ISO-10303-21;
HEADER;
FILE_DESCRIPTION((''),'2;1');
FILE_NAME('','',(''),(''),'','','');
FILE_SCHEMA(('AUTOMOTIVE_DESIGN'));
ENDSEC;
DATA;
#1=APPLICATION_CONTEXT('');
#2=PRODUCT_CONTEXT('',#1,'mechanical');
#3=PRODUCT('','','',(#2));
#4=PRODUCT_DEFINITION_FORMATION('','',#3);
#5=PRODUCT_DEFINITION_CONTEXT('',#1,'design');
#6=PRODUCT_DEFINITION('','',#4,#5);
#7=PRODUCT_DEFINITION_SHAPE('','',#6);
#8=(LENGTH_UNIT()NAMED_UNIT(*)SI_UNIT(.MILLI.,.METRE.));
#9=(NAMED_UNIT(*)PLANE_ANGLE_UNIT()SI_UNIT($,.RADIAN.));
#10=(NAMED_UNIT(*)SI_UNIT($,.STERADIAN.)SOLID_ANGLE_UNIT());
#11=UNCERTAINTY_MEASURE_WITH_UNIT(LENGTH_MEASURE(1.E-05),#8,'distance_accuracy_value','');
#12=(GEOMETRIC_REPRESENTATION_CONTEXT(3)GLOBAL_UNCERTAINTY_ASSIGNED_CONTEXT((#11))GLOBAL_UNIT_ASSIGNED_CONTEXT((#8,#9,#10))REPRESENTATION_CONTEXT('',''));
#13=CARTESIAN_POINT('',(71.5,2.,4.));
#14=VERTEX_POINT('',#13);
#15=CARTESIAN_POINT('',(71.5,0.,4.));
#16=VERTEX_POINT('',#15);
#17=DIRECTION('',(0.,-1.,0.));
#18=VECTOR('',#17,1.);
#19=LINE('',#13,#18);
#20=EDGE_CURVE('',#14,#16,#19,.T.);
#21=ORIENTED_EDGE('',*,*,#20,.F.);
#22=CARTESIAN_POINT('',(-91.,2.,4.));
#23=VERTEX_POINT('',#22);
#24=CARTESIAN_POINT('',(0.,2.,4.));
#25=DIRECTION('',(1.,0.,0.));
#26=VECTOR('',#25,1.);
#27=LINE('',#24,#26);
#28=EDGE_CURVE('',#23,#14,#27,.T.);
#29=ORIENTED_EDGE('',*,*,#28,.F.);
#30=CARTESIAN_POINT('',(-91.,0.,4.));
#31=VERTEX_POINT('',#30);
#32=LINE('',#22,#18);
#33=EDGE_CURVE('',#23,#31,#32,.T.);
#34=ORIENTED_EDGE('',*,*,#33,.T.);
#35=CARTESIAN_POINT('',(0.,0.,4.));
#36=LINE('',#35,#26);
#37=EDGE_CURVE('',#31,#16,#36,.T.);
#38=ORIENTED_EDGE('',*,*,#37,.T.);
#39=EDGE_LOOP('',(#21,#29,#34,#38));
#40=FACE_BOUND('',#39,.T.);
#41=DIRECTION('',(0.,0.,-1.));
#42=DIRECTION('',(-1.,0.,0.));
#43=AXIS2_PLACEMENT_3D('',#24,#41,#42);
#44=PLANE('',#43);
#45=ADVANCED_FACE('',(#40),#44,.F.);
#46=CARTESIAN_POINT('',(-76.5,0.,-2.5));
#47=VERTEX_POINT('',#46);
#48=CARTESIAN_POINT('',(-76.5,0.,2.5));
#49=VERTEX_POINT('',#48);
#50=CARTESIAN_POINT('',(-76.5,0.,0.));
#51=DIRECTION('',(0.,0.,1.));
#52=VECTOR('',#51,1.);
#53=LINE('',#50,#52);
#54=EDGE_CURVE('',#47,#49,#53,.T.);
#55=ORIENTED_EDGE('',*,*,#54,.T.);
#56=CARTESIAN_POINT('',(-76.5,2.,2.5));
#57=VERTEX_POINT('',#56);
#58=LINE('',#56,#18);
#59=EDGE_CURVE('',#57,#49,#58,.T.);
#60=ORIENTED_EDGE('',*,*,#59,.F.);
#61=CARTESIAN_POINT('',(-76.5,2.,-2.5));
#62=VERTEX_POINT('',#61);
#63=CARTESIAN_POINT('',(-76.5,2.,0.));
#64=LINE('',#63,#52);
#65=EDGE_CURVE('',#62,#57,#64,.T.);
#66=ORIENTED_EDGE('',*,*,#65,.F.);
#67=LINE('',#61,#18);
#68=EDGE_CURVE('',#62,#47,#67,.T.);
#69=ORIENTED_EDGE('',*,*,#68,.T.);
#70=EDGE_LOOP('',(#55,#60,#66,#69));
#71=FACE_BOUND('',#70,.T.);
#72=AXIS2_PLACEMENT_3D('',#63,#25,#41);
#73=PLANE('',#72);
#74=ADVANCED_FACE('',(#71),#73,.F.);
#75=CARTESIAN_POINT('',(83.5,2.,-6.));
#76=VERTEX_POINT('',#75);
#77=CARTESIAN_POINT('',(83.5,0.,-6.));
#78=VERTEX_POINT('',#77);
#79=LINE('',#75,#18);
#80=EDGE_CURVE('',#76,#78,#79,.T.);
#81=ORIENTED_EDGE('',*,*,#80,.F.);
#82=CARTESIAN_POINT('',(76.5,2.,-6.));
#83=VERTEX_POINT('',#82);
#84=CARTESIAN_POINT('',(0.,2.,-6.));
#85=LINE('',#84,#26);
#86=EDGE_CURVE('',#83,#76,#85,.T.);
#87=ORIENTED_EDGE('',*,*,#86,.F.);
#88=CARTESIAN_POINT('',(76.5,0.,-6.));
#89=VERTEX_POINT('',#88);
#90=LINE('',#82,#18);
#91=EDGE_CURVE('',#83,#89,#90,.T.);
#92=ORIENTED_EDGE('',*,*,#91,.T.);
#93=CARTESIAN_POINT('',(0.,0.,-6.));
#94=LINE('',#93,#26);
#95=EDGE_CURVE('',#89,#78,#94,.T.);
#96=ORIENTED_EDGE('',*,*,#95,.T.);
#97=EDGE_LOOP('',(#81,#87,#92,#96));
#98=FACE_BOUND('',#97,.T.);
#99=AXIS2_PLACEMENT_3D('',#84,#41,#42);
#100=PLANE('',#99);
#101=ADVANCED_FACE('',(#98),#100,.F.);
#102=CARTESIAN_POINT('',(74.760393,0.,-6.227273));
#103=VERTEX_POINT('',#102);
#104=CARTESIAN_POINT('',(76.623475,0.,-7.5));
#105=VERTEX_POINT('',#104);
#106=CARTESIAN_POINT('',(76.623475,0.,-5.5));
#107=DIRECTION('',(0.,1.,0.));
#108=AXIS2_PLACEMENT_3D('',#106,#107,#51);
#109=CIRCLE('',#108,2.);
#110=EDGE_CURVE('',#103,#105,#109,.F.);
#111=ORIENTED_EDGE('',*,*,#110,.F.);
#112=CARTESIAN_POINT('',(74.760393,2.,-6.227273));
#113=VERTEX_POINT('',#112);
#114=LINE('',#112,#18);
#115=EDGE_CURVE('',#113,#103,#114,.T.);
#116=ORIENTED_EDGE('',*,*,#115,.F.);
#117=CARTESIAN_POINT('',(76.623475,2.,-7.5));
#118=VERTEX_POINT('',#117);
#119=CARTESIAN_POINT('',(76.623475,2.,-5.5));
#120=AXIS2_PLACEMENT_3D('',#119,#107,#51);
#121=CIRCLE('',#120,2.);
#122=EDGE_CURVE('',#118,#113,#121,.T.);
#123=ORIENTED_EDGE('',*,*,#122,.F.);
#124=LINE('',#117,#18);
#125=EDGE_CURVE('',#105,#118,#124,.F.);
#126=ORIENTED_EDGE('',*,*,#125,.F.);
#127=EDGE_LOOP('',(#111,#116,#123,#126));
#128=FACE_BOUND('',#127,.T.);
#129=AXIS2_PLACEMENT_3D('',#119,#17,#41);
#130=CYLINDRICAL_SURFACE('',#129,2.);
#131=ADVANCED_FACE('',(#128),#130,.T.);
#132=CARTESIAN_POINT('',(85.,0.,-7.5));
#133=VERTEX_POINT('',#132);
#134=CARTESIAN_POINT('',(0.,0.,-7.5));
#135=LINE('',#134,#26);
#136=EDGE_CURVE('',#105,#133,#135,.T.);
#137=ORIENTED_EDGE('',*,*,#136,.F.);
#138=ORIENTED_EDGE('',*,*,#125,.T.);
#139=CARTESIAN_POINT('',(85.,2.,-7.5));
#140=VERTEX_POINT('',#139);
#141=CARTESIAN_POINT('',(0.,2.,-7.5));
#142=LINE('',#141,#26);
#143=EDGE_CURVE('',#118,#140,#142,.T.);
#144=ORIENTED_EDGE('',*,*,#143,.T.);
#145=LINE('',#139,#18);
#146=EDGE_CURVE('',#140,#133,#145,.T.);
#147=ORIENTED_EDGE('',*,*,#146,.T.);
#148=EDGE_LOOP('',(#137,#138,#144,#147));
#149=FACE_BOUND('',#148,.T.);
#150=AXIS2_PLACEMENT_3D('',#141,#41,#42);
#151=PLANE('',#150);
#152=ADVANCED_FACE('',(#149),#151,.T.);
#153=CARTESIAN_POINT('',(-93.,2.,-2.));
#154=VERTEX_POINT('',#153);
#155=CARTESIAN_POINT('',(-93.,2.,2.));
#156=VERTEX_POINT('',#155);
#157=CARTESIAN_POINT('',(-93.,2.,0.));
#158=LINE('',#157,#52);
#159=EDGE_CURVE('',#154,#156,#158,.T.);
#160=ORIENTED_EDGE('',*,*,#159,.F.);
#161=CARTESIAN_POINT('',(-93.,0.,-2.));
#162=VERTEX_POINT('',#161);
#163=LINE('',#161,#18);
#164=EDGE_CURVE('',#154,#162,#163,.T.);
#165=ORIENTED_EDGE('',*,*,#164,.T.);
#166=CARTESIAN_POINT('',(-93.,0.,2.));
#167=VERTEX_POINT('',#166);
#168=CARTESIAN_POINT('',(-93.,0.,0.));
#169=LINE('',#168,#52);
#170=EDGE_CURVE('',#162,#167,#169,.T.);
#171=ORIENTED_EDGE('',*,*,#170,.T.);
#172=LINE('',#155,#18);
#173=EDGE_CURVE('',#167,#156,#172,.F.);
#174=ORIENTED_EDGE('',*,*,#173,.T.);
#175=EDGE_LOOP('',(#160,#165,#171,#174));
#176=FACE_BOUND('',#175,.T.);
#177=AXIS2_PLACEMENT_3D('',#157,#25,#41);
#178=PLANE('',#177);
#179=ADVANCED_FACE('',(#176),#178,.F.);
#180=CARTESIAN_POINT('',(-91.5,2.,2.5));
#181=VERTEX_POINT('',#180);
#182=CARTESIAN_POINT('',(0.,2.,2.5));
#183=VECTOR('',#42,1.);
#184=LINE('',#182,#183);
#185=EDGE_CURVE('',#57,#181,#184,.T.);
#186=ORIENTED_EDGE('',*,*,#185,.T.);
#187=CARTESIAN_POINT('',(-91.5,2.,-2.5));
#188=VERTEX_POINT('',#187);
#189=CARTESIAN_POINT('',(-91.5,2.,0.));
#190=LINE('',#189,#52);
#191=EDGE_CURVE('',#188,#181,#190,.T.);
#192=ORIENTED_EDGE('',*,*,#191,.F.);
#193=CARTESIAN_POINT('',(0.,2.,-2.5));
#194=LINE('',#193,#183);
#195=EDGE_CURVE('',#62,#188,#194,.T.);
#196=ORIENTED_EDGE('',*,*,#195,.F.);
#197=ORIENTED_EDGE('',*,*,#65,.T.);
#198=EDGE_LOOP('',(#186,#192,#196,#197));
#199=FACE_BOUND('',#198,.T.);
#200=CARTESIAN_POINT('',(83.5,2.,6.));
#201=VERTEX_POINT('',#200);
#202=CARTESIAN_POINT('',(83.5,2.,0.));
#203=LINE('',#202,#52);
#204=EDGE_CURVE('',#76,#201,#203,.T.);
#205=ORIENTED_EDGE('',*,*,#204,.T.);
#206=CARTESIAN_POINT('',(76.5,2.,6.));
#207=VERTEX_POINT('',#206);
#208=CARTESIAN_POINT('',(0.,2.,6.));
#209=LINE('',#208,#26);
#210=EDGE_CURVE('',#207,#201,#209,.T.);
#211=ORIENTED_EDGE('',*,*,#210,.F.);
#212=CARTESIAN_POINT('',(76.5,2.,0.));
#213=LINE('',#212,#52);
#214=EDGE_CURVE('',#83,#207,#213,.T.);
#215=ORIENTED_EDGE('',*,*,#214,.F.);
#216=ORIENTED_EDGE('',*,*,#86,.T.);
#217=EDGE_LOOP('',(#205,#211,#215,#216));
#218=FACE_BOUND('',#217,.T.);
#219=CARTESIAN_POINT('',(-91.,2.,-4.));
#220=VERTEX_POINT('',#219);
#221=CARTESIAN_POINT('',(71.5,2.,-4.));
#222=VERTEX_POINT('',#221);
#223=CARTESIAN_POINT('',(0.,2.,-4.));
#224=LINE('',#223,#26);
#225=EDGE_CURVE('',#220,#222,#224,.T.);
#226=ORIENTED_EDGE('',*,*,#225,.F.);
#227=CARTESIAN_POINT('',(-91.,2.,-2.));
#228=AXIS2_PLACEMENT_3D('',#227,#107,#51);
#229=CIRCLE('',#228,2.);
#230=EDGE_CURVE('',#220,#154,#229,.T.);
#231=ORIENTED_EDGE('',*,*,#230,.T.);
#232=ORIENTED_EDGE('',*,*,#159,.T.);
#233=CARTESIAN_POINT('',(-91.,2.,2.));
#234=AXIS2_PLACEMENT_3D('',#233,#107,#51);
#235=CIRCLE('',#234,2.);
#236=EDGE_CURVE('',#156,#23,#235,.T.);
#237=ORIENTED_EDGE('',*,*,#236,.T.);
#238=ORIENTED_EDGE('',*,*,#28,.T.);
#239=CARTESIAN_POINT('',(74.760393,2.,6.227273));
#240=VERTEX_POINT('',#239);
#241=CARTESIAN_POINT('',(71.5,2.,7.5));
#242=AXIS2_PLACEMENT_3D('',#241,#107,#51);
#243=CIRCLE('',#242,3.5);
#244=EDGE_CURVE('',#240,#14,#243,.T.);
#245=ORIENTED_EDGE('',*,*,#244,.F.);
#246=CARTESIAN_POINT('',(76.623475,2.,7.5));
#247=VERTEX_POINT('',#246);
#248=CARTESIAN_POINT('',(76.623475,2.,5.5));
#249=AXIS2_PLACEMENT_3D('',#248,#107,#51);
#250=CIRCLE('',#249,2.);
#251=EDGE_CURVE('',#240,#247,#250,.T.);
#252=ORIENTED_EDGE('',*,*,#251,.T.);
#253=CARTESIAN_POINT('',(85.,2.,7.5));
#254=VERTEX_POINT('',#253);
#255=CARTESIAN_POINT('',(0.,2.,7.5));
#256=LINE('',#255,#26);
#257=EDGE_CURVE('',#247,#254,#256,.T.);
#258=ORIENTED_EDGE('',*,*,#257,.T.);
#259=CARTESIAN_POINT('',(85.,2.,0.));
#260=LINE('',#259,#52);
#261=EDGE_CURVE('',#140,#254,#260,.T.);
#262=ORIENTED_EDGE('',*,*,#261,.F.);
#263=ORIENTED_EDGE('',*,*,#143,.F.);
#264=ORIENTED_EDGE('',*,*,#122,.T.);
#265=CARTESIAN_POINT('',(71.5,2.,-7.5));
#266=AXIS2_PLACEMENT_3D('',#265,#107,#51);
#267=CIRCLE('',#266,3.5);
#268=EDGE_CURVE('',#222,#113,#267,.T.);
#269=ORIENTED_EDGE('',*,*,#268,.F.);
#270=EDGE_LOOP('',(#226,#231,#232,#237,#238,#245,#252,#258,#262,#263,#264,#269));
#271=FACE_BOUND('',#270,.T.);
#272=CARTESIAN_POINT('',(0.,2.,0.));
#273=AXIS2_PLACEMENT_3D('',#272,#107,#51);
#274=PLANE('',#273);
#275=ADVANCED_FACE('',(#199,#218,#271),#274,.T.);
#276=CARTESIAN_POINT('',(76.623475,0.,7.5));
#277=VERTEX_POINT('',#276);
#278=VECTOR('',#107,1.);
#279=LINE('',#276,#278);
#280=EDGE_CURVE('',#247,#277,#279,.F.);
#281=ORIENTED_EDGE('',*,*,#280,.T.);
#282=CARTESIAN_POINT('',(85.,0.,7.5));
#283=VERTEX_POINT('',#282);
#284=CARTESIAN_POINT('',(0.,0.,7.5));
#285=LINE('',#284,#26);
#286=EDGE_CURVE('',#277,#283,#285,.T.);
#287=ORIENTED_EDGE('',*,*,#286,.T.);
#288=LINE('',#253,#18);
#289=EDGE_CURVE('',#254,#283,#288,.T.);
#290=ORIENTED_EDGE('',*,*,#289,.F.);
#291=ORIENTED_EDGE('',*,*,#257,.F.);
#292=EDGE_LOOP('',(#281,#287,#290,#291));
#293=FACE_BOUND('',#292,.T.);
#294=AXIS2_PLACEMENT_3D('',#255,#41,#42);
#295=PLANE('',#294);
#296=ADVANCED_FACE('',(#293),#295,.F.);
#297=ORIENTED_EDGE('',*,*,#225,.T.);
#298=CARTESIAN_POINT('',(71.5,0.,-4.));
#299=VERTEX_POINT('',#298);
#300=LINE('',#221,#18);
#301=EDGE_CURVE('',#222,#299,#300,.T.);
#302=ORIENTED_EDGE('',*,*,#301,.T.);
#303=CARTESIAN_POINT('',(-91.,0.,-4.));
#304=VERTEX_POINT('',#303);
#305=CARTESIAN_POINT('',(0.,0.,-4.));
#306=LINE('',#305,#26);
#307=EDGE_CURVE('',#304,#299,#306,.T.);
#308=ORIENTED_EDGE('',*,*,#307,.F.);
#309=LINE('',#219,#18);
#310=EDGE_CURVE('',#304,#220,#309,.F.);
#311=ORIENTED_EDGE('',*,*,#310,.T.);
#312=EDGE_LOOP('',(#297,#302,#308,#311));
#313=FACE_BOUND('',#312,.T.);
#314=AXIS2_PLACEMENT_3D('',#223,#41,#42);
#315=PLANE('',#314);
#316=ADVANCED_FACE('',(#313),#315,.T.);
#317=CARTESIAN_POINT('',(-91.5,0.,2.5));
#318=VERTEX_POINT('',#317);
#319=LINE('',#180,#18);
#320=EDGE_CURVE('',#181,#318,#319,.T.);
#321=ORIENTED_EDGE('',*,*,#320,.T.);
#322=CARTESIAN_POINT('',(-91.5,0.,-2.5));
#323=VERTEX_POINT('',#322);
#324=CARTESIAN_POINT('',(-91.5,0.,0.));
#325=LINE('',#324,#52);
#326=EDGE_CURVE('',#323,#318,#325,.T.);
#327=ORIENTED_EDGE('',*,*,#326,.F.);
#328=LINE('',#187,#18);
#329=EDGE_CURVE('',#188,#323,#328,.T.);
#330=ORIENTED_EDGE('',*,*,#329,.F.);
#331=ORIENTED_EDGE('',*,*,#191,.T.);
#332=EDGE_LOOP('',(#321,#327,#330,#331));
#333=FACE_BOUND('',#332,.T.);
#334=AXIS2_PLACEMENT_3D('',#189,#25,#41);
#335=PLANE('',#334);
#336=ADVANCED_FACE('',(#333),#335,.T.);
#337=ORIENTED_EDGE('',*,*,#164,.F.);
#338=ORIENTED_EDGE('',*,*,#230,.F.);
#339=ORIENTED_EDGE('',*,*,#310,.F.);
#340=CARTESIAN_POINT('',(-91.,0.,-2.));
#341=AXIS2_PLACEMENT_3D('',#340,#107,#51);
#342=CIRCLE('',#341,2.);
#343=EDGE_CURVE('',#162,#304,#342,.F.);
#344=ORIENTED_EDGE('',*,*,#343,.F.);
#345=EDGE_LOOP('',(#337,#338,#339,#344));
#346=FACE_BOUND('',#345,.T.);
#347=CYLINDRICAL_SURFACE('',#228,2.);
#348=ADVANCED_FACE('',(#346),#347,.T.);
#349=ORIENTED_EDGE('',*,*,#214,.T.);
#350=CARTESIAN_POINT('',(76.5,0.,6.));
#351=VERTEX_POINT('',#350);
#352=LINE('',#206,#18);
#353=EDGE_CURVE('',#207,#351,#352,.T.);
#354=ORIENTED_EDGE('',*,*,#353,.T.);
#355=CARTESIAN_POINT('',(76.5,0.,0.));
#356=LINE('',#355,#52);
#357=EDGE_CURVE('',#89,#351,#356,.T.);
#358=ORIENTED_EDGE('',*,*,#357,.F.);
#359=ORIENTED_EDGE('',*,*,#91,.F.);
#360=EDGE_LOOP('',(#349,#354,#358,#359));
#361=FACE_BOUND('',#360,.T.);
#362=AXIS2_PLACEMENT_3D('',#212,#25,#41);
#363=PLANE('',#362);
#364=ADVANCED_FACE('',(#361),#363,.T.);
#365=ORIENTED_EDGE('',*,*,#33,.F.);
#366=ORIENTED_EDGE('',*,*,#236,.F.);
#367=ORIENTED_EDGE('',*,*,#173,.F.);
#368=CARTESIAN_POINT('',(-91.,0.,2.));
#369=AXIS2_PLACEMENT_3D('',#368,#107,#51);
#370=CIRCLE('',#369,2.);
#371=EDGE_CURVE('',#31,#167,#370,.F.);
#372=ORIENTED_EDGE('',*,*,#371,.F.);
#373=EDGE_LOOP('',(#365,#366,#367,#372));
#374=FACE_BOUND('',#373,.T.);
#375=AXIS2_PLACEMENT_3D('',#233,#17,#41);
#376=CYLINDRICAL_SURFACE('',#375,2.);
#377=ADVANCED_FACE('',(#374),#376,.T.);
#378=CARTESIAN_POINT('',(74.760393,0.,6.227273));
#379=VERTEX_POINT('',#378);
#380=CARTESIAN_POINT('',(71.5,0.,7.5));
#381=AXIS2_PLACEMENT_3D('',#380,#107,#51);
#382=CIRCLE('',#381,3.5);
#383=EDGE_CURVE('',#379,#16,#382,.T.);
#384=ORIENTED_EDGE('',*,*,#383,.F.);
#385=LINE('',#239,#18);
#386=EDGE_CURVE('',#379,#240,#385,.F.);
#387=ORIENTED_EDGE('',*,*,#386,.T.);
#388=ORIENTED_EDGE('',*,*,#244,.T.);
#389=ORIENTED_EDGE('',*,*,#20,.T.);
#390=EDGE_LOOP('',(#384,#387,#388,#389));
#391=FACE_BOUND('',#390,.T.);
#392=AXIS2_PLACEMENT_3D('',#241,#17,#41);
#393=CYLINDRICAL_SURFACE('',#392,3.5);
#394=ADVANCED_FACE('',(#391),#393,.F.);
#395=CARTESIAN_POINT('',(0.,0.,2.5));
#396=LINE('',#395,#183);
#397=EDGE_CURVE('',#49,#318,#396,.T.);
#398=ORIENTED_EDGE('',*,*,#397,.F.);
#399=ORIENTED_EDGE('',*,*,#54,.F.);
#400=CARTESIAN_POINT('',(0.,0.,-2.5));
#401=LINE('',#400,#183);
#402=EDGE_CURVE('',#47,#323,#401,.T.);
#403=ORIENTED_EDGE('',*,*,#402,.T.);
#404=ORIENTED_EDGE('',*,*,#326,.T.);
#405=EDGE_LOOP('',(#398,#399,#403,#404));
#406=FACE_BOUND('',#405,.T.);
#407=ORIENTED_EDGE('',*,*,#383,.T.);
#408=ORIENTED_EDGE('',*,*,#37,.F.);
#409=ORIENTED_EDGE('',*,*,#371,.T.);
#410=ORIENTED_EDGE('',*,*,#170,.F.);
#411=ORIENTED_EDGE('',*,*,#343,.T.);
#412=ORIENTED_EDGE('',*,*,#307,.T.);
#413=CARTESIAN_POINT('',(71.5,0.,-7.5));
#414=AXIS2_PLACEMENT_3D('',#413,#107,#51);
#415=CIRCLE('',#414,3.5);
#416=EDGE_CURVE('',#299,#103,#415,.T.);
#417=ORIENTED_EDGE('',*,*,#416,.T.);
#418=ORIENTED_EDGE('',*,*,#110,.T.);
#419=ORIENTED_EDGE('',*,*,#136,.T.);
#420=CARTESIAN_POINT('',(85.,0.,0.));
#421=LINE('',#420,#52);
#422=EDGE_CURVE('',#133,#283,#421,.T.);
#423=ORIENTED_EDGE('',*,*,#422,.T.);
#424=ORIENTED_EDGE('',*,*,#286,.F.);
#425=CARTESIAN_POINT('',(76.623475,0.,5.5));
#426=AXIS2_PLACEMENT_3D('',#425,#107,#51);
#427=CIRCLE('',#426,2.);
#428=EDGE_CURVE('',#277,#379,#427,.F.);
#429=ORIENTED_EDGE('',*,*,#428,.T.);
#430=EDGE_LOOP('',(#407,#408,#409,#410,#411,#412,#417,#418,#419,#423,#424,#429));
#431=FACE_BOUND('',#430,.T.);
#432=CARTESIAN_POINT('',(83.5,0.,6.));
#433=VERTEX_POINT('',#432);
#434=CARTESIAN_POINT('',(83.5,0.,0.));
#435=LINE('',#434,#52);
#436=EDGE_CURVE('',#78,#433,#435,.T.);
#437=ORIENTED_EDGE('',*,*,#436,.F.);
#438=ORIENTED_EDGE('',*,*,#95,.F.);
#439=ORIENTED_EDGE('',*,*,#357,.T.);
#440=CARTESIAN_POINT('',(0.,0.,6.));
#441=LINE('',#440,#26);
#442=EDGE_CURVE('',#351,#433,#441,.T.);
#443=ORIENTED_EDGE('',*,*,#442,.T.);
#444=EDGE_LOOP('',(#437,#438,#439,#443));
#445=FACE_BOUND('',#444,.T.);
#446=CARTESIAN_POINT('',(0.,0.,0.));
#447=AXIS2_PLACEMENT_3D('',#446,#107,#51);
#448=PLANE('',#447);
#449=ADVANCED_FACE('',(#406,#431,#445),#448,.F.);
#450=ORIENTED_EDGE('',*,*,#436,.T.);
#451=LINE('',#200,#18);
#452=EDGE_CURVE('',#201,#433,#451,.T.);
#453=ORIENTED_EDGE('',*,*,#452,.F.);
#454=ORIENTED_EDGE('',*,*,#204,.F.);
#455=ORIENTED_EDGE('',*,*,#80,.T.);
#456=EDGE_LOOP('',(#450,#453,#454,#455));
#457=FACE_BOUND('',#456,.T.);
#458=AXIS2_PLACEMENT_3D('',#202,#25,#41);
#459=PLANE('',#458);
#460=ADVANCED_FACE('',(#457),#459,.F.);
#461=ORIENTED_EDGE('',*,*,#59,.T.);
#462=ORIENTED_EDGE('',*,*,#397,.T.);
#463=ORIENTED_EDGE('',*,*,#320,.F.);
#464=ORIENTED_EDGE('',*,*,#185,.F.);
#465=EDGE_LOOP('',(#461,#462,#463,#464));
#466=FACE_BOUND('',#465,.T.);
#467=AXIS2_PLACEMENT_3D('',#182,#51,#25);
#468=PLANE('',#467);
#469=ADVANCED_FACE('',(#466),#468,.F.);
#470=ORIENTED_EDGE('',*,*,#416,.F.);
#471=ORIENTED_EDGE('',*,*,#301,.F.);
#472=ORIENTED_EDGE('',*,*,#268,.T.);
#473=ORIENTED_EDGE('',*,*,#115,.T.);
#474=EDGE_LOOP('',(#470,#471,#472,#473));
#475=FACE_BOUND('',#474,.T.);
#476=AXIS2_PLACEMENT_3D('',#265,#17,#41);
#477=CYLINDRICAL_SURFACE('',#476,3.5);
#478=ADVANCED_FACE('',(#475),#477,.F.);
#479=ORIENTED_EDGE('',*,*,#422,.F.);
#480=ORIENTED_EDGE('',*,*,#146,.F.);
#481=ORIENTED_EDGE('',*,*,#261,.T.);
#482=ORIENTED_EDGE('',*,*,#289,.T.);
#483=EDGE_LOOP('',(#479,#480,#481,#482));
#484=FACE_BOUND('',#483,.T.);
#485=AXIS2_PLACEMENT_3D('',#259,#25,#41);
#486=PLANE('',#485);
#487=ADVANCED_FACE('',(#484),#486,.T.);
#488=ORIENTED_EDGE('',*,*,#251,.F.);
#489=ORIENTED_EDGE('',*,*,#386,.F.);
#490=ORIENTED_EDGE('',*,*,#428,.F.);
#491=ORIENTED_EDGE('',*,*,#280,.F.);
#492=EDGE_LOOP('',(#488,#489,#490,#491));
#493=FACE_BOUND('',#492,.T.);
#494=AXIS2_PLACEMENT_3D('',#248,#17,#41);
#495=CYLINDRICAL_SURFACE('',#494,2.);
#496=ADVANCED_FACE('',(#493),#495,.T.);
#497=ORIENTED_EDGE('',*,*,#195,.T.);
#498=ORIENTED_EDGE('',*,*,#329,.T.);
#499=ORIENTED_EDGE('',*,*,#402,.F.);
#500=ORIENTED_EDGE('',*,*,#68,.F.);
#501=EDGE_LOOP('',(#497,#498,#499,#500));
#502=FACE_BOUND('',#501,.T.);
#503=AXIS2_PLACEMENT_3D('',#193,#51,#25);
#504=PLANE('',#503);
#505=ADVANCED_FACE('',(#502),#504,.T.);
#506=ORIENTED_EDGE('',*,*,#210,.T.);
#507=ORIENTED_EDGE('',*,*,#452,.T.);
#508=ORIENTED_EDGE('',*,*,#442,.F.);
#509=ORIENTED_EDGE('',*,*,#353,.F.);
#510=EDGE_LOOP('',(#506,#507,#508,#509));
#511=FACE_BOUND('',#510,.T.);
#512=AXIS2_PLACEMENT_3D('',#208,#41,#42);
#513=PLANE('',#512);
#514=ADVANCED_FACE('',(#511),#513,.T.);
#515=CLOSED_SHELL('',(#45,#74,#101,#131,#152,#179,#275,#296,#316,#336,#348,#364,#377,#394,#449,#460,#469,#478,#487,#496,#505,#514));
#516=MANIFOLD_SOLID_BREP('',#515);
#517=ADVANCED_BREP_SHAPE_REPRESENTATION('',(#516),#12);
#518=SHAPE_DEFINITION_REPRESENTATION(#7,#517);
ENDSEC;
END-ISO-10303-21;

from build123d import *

# Parameters (mm, degrees)
SKETCH1_W           = 7
SKETCH1_H           = 12
SKETCH1_W_2         = 15
SKETCH1_H_2         = 5
BOSS_EXTRUDE1_DEPTH = 2
FILLET1_R           = 2


with BuildPart() as part:
    # Sketch1 → Boss-Extrude1 (new body)
    with BuildSketch(Plane(origin=(0, 0, 0), x_dir=(1, 0, 0), z_dir=(0, 1, 0))):
        with BuildLine():
            Line((-93, 4), (-93, -4))
            Line((-93, -4), (71.500000067, -4))
            ThreePointArc((71.500000067, -4), (73.974873758, -5.025126289), (75, -7.5))
            Line((75, -7.5), (85, -7.5))
            Line((85, -7.5), (85, 7.5))
            Line((85, 7.5), (75, 7.5))
            ThreePointArc((75, 7.5), (73.974873696, 5.025126228), (71.499999892, 4))
            Line((71.499999892, 4), (-93, 4))
        make_face()
        with Locations((80, 0)):
            Rectangle(SKETCH1_W, SKETCH1_H, mode=Mode.SUBTRACT)
        with Locations((-84, 0)):
            Rectangle(SKETCH1_W_2, SKETCH1_H_2, mode=Mode.SUBTRACT)
    extrude(amount=BOSS_EXTRUDE1_DEPTH)

    # Fillet1
    fillet1_edges = [part.edges().sort_by_distance(p)[0] for p in [
        (-93, 1, 4),
        (-93, 1, -4),
        (75, 1, -7.5),
        (75, 1, 7.5),
    ]]
    fillet(fillet1_edges, radius=FILLET1_R)


solid = part.part
